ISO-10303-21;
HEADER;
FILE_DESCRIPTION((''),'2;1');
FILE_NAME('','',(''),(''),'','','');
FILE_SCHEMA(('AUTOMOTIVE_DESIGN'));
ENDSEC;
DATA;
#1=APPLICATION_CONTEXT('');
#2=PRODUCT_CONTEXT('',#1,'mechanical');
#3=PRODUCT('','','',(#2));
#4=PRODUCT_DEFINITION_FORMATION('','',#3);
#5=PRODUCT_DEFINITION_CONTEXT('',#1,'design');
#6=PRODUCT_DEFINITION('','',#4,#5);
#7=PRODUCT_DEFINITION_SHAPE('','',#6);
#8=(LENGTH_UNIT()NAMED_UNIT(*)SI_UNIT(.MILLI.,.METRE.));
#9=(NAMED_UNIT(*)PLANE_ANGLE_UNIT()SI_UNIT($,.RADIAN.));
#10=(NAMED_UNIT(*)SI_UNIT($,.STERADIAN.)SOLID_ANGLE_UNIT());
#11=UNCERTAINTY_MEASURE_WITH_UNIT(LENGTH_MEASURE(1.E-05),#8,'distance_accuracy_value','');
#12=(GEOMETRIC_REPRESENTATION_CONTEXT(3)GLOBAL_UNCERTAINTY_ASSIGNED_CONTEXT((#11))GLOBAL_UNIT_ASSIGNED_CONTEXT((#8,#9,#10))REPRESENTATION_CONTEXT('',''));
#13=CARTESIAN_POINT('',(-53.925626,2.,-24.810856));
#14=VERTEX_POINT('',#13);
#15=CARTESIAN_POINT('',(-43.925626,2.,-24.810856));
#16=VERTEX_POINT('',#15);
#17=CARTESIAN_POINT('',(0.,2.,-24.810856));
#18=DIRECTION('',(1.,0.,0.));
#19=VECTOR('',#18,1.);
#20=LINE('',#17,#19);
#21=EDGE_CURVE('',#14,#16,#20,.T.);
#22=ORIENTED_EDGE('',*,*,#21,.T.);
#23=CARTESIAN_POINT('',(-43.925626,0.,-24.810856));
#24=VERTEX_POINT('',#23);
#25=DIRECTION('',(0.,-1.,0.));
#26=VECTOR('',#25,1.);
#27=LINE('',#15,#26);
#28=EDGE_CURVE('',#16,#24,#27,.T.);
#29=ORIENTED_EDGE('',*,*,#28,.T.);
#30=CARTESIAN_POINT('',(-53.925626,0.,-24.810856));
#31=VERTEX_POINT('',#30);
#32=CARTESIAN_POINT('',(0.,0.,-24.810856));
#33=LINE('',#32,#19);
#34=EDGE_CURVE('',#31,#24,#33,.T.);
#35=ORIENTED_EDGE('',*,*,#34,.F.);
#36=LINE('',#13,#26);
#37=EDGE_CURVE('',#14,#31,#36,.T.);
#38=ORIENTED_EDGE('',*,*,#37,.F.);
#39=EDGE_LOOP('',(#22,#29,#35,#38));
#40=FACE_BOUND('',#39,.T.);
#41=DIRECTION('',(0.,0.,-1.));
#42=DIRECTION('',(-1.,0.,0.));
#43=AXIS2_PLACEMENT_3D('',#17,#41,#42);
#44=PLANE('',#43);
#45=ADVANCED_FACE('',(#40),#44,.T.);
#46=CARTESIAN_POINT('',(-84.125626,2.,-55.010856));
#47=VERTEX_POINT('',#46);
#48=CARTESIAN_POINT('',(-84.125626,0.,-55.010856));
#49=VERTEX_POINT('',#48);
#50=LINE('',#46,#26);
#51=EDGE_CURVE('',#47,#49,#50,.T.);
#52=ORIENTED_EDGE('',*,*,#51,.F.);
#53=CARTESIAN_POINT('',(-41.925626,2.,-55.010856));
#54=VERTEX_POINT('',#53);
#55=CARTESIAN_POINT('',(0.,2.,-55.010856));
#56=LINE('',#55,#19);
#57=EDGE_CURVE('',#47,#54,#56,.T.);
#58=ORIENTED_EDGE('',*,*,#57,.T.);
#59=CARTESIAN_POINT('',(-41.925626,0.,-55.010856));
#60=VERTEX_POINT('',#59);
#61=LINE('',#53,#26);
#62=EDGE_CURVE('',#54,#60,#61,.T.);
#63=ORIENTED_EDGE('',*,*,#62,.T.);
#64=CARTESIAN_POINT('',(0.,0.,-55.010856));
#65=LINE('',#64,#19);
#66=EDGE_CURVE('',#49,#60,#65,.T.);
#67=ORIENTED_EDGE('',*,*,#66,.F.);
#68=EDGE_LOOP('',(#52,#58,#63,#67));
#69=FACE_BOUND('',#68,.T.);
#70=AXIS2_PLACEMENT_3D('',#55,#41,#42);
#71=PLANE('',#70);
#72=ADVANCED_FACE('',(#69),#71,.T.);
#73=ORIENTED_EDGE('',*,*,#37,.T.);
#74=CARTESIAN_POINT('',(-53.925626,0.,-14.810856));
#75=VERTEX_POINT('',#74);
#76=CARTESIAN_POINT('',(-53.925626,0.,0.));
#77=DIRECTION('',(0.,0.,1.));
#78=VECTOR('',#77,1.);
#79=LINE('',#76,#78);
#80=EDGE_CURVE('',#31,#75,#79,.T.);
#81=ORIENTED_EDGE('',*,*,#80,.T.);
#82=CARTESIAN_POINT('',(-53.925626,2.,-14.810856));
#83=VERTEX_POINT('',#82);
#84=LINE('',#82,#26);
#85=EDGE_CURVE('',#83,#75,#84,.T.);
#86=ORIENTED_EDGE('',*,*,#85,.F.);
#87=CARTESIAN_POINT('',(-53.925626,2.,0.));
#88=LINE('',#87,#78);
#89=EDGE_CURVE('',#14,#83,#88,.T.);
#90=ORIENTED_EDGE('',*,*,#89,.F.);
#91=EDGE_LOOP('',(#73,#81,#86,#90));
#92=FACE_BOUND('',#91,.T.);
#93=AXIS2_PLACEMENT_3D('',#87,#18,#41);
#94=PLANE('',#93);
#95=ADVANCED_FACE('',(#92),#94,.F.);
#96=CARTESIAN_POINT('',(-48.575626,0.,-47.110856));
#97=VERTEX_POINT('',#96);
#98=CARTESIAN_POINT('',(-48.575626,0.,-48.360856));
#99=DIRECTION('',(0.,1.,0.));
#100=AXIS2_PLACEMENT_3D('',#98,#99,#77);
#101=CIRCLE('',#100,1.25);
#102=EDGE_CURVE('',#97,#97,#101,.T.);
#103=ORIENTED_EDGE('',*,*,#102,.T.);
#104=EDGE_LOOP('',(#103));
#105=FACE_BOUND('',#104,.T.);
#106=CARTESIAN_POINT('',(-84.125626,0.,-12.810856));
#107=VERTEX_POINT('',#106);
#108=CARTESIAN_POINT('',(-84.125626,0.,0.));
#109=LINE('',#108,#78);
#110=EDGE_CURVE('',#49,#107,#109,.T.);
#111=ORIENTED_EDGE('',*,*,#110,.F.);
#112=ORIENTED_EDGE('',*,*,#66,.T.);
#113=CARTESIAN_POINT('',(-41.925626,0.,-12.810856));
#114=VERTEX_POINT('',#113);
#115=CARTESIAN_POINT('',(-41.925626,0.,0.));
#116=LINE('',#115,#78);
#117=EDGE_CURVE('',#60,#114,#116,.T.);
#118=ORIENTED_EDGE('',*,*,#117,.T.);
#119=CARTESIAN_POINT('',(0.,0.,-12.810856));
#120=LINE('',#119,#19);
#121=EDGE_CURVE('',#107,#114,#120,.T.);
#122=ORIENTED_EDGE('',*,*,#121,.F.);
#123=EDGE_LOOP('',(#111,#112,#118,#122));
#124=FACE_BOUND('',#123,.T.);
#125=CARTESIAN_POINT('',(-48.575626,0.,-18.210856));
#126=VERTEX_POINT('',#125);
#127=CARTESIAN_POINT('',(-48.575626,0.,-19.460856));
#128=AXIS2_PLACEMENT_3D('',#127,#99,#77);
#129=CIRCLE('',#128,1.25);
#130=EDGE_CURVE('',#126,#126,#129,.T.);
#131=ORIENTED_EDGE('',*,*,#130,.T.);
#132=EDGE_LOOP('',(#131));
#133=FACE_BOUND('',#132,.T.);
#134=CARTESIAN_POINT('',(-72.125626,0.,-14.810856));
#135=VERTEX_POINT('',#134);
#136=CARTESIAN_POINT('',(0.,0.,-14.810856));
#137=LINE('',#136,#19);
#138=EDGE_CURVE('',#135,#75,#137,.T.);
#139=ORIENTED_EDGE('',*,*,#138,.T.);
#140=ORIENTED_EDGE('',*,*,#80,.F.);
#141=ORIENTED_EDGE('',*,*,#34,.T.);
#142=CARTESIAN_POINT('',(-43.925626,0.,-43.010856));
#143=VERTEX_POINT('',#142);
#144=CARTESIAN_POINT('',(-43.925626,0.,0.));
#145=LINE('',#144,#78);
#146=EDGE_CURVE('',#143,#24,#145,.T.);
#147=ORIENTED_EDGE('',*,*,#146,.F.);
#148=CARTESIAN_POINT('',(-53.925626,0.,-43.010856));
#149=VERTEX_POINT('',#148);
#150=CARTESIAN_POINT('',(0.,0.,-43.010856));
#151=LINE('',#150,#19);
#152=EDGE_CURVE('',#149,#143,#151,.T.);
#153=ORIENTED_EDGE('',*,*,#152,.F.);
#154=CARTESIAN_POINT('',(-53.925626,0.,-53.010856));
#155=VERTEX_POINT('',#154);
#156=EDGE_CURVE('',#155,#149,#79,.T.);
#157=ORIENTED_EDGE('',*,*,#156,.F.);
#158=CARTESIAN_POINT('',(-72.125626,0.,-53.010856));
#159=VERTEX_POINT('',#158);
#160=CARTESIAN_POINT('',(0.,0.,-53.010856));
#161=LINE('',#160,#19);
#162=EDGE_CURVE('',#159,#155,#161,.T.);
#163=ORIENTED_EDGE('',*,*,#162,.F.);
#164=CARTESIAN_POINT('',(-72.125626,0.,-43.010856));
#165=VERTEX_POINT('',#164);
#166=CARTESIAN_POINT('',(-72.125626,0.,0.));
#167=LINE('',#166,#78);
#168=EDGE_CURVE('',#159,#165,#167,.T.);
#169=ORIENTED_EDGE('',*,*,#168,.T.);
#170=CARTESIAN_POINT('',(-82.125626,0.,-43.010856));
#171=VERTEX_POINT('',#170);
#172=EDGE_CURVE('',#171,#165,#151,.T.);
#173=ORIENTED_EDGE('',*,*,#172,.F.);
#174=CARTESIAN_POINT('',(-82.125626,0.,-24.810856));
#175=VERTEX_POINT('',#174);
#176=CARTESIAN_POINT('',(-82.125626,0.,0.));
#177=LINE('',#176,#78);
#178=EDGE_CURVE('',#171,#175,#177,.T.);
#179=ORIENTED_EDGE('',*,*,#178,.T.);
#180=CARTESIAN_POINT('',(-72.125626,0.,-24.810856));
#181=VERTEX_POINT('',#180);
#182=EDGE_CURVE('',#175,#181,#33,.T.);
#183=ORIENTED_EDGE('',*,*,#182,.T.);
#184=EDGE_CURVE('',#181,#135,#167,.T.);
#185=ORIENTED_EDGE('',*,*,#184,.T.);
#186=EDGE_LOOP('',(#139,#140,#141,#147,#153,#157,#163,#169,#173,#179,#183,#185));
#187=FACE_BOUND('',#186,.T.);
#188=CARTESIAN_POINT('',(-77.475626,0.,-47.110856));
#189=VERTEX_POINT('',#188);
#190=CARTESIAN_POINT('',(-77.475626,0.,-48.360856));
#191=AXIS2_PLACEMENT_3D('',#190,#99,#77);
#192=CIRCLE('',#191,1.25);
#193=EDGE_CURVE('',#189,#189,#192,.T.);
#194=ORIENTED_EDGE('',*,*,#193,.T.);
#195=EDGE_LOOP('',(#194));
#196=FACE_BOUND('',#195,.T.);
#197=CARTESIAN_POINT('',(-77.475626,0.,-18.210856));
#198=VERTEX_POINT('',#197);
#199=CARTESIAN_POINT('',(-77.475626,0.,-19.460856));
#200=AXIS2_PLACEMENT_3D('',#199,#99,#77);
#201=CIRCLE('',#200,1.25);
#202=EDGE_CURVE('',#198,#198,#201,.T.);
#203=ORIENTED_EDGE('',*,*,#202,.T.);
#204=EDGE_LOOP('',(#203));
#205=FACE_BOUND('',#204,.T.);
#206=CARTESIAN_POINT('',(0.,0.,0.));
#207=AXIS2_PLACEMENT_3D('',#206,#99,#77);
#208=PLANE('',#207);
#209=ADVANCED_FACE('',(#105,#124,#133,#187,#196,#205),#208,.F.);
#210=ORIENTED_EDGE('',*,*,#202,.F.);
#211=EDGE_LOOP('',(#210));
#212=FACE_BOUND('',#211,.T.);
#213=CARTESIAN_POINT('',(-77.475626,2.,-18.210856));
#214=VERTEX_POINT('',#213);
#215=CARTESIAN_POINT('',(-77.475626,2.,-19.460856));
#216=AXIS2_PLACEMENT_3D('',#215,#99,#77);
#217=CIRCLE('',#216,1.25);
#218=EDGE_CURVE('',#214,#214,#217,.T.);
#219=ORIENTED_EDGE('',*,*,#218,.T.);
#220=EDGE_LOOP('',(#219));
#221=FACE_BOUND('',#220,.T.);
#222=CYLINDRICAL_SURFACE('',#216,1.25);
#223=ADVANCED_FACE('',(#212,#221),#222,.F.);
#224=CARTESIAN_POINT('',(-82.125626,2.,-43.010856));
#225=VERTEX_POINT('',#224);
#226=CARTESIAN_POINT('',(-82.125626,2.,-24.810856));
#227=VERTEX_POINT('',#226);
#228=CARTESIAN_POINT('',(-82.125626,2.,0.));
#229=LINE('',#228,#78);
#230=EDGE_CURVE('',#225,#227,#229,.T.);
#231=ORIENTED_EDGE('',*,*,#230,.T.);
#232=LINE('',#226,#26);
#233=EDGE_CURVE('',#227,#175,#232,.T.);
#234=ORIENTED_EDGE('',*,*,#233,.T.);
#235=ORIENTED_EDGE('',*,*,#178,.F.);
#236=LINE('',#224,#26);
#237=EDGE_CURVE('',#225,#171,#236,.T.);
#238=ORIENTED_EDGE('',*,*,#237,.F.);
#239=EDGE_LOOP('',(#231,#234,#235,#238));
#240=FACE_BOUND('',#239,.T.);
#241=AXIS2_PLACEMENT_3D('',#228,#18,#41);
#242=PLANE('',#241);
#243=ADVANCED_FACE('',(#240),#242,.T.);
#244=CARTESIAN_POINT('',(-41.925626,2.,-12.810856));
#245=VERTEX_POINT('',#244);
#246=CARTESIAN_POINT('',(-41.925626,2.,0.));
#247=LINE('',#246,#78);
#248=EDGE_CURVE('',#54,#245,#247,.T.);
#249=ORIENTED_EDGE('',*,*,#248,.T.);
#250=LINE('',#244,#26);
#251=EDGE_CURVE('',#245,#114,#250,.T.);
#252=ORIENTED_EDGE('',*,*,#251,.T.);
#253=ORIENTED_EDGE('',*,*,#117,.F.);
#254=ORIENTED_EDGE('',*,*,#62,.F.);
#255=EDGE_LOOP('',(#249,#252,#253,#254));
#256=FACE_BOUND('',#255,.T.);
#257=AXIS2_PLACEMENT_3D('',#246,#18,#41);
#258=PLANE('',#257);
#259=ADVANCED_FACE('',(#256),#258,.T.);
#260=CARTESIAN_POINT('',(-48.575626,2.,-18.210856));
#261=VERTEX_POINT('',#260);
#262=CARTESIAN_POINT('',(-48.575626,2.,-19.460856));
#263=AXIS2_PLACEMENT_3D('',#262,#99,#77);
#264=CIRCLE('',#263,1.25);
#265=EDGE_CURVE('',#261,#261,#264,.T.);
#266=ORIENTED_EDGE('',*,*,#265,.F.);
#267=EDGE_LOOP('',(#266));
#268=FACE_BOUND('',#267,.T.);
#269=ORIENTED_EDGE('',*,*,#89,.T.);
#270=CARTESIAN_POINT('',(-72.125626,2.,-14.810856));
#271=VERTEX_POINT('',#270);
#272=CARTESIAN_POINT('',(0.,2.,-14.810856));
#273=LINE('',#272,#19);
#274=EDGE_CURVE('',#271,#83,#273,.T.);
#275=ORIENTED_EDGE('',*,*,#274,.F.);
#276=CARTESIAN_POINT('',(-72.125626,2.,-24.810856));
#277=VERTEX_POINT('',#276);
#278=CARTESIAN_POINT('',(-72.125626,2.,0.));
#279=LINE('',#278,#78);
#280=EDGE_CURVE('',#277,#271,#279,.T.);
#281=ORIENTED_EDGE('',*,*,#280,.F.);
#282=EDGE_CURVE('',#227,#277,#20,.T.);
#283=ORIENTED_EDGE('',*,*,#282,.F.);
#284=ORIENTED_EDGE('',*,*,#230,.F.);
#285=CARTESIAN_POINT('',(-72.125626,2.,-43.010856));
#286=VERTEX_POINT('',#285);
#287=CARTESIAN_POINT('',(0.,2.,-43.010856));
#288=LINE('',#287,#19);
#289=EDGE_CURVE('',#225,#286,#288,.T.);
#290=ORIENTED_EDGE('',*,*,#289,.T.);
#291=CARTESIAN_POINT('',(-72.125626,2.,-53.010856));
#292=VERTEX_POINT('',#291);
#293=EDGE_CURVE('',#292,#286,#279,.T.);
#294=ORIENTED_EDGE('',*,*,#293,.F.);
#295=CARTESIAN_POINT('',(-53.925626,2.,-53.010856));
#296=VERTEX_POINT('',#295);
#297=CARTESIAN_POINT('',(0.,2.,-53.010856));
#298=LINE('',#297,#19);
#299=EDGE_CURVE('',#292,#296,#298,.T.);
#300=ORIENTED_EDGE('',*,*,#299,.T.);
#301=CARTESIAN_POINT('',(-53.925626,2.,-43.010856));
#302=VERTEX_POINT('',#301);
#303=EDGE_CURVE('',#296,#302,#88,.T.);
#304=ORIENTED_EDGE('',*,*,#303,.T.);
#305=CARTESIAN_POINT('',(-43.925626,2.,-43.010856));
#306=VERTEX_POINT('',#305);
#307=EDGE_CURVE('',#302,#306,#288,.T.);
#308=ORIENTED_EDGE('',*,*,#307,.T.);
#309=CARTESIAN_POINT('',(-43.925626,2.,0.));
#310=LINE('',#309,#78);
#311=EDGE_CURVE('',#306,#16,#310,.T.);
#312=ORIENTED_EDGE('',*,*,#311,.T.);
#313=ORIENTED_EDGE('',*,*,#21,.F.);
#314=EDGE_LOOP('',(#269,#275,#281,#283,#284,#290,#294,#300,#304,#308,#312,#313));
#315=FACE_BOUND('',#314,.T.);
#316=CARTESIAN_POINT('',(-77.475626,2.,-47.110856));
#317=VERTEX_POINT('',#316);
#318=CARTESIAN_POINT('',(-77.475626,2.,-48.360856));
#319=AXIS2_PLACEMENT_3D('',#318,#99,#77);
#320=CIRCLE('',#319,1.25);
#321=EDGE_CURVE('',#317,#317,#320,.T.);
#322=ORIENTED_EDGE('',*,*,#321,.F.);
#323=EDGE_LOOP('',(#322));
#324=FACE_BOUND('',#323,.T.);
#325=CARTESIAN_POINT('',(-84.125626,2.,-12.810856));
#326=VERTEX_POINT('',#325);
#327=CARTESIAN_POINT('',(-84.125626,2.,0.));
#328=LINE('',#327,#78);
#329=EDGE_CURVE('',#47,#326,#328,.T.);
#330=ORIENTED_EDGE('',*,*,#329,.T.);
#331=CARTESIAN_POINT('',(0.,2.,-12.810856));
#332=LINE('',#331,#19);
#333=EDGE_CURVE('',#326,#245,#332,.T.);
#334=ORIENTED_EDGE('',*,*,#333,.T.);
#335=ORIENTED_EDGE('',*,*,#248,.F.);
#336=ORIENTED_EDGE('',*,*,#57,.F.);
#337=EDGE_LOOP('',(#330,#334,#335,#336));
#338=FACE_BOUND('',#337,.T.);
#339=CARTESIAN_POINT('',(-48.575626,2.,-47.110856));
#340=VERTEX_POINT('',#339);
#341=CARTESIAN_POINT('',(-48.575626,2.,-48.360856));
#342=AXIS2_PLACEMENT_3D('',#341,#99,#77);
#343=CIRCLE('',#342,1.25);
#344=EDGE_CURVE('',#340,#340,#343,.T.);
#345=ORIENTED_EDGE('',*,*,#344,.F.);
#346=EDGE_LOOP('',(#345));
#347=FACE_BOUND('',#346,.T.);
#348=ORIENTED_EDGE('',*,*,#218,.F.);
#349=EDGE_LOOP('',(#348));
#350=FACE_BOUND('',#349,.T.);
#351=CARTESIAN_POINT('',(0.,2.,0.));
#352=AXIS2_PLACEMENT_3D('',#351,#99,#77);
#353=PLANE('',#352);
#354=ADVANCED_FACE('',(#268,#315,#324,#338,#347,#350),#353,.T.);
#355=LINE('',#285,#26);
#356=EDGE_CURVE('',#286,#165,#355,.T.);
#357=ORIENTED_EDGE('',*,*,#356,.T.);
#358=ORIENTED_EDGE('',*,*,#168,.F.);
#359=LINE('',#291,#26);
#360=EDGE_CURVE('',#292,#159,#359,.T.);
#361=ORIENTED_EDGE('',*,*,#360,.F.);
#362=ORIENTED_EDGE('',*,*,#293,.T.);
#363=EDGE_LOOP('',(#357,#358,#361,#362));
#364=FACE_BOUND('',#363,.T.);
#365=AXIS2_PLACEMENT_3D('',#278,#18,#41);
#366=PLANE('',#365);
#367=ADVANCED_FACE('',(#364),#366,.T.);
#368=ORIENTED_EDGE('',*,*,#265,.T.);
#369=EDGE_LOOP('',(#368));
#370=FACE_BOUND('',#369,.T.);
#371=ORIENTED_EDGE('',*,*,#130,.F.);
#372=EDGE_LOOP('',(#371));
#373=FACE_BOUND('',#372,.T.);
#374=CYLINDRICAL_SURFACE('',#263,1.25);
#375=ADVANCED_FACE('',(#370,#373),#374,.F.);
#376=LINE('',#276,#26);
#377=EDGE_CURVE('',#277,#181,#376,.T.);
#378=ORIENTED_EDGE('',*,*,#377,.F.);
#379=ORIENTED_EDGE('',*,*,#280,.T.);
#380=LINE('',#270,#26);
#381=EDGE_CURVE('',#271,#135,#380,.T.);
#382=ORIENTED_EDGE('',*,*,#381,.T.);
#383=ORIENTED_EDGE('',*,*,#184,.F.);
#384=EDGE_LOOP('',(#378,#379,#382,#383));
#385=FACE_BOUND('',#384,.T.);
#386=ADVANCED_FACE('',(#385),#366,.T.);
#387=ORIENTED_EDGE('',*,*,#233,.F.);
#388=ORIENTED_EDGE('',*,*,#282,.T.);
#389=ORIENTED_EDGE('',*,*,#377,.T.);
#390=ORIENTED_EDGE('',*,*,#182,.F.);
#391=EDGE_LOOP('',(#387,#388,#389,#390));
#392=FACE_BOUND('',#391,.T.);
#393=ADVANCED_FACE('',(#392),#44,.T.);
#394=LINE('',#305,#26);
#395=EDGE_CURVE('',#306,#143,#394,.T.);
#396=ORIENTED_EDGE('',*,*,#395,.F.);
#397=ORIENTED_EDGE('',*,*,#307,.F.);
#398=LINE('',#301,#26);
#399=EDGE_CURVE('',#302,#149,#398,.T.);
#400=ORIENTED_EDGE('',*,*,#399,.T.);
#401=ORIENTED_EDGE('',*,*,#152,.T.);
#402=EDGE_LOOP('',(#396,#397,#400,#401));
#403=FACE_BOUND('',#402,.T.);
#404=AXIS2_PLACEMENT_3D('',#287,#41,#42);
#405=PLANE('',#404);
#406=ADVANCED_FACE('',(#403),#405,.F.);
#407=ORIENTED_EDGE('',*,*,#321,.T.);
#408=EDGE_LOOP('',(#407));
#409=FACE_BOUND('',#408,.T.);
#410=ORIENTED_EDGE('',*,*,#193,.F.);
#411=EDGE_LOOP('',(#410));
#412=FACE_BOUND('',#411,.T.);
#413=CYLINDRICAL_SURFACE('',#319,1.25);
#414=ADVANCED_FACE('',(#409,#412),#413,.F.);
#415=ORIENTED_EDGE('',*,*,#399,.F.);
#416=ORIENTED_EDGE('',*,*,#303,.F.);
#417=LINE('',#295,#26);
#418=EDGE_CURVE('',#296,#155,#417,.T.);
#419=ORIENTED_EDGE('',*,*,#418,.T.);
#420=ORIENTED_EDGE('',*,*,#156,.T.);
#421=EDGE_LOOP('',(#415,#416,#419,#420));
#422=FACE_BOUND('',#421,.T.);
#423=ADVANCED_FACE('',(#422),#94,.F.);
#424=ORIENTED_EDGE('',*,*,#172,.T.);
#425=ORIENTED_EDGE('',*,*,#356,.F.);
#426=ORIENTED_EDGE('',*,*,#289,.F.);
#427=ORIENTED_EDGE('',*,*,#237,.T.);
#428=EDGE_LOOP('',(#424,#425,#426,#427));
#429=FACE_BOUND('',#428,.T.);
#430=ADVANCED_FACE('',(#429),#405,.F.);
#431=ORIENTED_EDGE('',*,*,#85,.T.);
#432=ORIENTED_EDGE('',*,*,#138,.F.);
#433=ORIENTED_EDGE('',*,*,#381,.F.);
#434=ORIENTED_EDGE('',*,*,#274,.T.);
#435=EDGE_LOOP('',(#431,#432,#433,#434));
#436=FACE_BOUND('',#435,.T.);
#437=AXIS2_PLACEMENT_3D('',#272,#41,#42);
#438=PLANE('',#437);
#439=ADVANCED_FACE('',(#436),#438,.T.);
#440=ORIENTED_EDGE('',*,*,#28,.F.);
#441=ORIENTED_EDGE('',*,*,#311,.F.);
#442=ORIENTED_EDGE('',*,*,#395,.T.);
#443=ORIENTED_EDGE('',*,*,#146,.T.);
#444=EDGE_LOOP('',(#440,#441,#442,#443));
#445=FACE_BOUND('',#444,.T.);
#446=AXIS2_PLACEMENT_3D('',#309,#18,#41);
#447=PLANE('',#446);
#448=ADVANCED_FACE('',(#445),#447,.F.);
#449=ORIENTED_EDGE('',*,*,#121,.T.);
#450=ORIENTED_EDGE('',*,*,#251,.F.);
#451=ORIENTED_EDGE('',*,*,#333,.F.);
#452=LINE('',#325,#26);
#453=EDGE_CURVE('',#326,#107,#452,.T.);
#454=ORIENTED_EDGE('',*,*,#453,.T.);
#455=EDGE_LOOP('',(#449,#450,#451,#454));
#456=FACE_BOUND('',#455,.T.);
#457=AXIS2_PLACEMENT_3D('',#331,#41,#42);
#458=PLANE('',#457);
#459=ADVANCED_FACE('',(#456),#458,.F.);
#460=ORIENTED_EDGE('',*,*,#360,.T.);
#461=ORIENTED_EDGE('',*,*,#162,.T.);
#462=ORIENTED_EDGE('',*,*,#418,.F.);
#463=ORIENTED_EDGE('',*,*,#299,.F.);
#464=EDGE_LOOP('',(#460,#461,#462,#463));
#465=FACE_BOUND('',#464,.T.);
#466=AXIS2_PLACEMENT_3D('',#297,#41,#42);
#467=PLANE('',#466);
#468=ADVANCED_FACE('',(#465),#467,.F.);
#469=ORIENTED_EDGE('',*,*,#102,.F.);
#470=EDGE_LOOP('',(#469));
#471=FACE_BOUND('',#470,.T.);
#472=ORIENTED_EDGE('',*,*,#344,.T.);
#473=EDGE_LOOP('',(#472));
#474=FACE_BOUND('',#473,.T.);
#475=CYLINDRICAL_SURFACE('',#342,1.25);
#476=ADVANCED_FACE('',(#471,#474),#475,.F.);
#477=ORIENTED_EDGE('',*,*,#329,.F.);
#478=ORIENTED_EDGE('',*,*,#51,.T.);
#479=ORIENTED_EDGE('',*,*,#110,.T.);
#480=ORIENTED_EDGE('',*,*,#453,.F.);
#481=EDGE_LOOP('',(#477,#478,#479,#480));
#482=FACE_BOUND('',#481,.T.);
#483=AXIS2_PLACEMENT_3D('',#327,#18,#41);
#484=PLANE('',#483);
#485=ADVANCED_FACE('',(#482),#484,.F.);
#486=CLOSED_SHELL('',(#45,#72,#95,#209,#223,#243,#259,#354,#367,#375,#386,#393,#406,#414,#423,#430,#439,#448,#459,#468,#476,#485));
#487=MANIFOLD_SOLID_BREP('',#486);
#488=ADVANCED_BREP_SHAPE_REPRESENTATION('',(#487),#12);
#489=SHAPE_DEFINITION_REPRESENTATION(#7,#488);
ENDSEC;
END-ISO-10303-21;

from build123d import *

# Parameters (mm, degrees)
SKETCH1_W             = 42.2
SKETCH1_H             = 42.2
SKETCH1_W_2           = 38.2
SKETCH1_H_2           = 38.2
SKETCH1_W_3           = 10
SKETCH1_H_3           = 10
BOSS_EXTRUDE1_DEPTH   = 2
M3X0_5_TAPPED_HOLE2_D = 2.5


with BuildPart() as part:
    # Sketch1 → Boss-Extrude1 (new body)
    # profile 1 of 5: a face of its own
    with BuildSketch(Plane(origin=(0, 0, 0), x_dir=(1, 0, 0), z_dir=(0, 1, 0))):
        with Locations((-63.025626343, 33.9108558)):
            Rectangle(SKETCH1_W, SKETCH1_H)
        with Locations((-63.025626343, 33.9108558)):
            Rectangle(SKETCH1_W_2, SKETCH1_H_2, mode=Mode.SUBTRACT)
    # profile 2 of 5: a face of its own
    with BuildSketch(Plane(origin=(0, 0, 0), x_dir=(1, 0, 0), z_dir=(0, 1, 0))):
        with Locations((-77.125626343, 48.0108558)):
            Rectangle(SKETCH1_W_3, SKETCH1_H_3)
    # profile 3 of 5: a face of its own
    with BuildSketch(Plane(origin=(0, 0, 0), x_dir=(1, 0, 0), z_dir=(0, 1, 0))):
        with Locations((-48.925626343, 48.0108558)):
            Rectangle(SKETCH1_W_3, SKETCH1_H_3)
    # profile 4 of 5: a face of its own
    with BuildSketch(Plane(origin=(0, 0, 0), x_dir=(1, 0, 0), z_dir=(0, 1, 0))):
        with Locations((-48.925626343, 19.8108558)):
            Rectangle(SKETCH1_W_3, SKETCH1_H_3)
    # profile 5 of 5: a face of its own
    with BuildSketch(Plane(origin=(0, 0, 0), x_dir=(1, 0, 0), z_dir=(0, 1, 0))):
        with Locations((-77.125626343, 19.8108558)):
            Rectangle(SKETCH1_W_3, SKETCH1_H_3)
    extrude(amount=BOSS_EXTRUDE1_DEPTH)

    # M3x0.5 Tapped Hole2 (through all)
    with Locations(Plane(origin=(0, 2, 0), x_dir=(1, 0, 0), z_dir=(0, 1, 0))):
        with Locations((-77.475626343, 48.3608558), (-48.575626343, 48.3608558), (-48.575626343, 19.4608558), (-77.475626343, 19.4608558)):
            Hole(M3X0_5_TAPPED_HOLE2_D / 2)


solid = part.part
